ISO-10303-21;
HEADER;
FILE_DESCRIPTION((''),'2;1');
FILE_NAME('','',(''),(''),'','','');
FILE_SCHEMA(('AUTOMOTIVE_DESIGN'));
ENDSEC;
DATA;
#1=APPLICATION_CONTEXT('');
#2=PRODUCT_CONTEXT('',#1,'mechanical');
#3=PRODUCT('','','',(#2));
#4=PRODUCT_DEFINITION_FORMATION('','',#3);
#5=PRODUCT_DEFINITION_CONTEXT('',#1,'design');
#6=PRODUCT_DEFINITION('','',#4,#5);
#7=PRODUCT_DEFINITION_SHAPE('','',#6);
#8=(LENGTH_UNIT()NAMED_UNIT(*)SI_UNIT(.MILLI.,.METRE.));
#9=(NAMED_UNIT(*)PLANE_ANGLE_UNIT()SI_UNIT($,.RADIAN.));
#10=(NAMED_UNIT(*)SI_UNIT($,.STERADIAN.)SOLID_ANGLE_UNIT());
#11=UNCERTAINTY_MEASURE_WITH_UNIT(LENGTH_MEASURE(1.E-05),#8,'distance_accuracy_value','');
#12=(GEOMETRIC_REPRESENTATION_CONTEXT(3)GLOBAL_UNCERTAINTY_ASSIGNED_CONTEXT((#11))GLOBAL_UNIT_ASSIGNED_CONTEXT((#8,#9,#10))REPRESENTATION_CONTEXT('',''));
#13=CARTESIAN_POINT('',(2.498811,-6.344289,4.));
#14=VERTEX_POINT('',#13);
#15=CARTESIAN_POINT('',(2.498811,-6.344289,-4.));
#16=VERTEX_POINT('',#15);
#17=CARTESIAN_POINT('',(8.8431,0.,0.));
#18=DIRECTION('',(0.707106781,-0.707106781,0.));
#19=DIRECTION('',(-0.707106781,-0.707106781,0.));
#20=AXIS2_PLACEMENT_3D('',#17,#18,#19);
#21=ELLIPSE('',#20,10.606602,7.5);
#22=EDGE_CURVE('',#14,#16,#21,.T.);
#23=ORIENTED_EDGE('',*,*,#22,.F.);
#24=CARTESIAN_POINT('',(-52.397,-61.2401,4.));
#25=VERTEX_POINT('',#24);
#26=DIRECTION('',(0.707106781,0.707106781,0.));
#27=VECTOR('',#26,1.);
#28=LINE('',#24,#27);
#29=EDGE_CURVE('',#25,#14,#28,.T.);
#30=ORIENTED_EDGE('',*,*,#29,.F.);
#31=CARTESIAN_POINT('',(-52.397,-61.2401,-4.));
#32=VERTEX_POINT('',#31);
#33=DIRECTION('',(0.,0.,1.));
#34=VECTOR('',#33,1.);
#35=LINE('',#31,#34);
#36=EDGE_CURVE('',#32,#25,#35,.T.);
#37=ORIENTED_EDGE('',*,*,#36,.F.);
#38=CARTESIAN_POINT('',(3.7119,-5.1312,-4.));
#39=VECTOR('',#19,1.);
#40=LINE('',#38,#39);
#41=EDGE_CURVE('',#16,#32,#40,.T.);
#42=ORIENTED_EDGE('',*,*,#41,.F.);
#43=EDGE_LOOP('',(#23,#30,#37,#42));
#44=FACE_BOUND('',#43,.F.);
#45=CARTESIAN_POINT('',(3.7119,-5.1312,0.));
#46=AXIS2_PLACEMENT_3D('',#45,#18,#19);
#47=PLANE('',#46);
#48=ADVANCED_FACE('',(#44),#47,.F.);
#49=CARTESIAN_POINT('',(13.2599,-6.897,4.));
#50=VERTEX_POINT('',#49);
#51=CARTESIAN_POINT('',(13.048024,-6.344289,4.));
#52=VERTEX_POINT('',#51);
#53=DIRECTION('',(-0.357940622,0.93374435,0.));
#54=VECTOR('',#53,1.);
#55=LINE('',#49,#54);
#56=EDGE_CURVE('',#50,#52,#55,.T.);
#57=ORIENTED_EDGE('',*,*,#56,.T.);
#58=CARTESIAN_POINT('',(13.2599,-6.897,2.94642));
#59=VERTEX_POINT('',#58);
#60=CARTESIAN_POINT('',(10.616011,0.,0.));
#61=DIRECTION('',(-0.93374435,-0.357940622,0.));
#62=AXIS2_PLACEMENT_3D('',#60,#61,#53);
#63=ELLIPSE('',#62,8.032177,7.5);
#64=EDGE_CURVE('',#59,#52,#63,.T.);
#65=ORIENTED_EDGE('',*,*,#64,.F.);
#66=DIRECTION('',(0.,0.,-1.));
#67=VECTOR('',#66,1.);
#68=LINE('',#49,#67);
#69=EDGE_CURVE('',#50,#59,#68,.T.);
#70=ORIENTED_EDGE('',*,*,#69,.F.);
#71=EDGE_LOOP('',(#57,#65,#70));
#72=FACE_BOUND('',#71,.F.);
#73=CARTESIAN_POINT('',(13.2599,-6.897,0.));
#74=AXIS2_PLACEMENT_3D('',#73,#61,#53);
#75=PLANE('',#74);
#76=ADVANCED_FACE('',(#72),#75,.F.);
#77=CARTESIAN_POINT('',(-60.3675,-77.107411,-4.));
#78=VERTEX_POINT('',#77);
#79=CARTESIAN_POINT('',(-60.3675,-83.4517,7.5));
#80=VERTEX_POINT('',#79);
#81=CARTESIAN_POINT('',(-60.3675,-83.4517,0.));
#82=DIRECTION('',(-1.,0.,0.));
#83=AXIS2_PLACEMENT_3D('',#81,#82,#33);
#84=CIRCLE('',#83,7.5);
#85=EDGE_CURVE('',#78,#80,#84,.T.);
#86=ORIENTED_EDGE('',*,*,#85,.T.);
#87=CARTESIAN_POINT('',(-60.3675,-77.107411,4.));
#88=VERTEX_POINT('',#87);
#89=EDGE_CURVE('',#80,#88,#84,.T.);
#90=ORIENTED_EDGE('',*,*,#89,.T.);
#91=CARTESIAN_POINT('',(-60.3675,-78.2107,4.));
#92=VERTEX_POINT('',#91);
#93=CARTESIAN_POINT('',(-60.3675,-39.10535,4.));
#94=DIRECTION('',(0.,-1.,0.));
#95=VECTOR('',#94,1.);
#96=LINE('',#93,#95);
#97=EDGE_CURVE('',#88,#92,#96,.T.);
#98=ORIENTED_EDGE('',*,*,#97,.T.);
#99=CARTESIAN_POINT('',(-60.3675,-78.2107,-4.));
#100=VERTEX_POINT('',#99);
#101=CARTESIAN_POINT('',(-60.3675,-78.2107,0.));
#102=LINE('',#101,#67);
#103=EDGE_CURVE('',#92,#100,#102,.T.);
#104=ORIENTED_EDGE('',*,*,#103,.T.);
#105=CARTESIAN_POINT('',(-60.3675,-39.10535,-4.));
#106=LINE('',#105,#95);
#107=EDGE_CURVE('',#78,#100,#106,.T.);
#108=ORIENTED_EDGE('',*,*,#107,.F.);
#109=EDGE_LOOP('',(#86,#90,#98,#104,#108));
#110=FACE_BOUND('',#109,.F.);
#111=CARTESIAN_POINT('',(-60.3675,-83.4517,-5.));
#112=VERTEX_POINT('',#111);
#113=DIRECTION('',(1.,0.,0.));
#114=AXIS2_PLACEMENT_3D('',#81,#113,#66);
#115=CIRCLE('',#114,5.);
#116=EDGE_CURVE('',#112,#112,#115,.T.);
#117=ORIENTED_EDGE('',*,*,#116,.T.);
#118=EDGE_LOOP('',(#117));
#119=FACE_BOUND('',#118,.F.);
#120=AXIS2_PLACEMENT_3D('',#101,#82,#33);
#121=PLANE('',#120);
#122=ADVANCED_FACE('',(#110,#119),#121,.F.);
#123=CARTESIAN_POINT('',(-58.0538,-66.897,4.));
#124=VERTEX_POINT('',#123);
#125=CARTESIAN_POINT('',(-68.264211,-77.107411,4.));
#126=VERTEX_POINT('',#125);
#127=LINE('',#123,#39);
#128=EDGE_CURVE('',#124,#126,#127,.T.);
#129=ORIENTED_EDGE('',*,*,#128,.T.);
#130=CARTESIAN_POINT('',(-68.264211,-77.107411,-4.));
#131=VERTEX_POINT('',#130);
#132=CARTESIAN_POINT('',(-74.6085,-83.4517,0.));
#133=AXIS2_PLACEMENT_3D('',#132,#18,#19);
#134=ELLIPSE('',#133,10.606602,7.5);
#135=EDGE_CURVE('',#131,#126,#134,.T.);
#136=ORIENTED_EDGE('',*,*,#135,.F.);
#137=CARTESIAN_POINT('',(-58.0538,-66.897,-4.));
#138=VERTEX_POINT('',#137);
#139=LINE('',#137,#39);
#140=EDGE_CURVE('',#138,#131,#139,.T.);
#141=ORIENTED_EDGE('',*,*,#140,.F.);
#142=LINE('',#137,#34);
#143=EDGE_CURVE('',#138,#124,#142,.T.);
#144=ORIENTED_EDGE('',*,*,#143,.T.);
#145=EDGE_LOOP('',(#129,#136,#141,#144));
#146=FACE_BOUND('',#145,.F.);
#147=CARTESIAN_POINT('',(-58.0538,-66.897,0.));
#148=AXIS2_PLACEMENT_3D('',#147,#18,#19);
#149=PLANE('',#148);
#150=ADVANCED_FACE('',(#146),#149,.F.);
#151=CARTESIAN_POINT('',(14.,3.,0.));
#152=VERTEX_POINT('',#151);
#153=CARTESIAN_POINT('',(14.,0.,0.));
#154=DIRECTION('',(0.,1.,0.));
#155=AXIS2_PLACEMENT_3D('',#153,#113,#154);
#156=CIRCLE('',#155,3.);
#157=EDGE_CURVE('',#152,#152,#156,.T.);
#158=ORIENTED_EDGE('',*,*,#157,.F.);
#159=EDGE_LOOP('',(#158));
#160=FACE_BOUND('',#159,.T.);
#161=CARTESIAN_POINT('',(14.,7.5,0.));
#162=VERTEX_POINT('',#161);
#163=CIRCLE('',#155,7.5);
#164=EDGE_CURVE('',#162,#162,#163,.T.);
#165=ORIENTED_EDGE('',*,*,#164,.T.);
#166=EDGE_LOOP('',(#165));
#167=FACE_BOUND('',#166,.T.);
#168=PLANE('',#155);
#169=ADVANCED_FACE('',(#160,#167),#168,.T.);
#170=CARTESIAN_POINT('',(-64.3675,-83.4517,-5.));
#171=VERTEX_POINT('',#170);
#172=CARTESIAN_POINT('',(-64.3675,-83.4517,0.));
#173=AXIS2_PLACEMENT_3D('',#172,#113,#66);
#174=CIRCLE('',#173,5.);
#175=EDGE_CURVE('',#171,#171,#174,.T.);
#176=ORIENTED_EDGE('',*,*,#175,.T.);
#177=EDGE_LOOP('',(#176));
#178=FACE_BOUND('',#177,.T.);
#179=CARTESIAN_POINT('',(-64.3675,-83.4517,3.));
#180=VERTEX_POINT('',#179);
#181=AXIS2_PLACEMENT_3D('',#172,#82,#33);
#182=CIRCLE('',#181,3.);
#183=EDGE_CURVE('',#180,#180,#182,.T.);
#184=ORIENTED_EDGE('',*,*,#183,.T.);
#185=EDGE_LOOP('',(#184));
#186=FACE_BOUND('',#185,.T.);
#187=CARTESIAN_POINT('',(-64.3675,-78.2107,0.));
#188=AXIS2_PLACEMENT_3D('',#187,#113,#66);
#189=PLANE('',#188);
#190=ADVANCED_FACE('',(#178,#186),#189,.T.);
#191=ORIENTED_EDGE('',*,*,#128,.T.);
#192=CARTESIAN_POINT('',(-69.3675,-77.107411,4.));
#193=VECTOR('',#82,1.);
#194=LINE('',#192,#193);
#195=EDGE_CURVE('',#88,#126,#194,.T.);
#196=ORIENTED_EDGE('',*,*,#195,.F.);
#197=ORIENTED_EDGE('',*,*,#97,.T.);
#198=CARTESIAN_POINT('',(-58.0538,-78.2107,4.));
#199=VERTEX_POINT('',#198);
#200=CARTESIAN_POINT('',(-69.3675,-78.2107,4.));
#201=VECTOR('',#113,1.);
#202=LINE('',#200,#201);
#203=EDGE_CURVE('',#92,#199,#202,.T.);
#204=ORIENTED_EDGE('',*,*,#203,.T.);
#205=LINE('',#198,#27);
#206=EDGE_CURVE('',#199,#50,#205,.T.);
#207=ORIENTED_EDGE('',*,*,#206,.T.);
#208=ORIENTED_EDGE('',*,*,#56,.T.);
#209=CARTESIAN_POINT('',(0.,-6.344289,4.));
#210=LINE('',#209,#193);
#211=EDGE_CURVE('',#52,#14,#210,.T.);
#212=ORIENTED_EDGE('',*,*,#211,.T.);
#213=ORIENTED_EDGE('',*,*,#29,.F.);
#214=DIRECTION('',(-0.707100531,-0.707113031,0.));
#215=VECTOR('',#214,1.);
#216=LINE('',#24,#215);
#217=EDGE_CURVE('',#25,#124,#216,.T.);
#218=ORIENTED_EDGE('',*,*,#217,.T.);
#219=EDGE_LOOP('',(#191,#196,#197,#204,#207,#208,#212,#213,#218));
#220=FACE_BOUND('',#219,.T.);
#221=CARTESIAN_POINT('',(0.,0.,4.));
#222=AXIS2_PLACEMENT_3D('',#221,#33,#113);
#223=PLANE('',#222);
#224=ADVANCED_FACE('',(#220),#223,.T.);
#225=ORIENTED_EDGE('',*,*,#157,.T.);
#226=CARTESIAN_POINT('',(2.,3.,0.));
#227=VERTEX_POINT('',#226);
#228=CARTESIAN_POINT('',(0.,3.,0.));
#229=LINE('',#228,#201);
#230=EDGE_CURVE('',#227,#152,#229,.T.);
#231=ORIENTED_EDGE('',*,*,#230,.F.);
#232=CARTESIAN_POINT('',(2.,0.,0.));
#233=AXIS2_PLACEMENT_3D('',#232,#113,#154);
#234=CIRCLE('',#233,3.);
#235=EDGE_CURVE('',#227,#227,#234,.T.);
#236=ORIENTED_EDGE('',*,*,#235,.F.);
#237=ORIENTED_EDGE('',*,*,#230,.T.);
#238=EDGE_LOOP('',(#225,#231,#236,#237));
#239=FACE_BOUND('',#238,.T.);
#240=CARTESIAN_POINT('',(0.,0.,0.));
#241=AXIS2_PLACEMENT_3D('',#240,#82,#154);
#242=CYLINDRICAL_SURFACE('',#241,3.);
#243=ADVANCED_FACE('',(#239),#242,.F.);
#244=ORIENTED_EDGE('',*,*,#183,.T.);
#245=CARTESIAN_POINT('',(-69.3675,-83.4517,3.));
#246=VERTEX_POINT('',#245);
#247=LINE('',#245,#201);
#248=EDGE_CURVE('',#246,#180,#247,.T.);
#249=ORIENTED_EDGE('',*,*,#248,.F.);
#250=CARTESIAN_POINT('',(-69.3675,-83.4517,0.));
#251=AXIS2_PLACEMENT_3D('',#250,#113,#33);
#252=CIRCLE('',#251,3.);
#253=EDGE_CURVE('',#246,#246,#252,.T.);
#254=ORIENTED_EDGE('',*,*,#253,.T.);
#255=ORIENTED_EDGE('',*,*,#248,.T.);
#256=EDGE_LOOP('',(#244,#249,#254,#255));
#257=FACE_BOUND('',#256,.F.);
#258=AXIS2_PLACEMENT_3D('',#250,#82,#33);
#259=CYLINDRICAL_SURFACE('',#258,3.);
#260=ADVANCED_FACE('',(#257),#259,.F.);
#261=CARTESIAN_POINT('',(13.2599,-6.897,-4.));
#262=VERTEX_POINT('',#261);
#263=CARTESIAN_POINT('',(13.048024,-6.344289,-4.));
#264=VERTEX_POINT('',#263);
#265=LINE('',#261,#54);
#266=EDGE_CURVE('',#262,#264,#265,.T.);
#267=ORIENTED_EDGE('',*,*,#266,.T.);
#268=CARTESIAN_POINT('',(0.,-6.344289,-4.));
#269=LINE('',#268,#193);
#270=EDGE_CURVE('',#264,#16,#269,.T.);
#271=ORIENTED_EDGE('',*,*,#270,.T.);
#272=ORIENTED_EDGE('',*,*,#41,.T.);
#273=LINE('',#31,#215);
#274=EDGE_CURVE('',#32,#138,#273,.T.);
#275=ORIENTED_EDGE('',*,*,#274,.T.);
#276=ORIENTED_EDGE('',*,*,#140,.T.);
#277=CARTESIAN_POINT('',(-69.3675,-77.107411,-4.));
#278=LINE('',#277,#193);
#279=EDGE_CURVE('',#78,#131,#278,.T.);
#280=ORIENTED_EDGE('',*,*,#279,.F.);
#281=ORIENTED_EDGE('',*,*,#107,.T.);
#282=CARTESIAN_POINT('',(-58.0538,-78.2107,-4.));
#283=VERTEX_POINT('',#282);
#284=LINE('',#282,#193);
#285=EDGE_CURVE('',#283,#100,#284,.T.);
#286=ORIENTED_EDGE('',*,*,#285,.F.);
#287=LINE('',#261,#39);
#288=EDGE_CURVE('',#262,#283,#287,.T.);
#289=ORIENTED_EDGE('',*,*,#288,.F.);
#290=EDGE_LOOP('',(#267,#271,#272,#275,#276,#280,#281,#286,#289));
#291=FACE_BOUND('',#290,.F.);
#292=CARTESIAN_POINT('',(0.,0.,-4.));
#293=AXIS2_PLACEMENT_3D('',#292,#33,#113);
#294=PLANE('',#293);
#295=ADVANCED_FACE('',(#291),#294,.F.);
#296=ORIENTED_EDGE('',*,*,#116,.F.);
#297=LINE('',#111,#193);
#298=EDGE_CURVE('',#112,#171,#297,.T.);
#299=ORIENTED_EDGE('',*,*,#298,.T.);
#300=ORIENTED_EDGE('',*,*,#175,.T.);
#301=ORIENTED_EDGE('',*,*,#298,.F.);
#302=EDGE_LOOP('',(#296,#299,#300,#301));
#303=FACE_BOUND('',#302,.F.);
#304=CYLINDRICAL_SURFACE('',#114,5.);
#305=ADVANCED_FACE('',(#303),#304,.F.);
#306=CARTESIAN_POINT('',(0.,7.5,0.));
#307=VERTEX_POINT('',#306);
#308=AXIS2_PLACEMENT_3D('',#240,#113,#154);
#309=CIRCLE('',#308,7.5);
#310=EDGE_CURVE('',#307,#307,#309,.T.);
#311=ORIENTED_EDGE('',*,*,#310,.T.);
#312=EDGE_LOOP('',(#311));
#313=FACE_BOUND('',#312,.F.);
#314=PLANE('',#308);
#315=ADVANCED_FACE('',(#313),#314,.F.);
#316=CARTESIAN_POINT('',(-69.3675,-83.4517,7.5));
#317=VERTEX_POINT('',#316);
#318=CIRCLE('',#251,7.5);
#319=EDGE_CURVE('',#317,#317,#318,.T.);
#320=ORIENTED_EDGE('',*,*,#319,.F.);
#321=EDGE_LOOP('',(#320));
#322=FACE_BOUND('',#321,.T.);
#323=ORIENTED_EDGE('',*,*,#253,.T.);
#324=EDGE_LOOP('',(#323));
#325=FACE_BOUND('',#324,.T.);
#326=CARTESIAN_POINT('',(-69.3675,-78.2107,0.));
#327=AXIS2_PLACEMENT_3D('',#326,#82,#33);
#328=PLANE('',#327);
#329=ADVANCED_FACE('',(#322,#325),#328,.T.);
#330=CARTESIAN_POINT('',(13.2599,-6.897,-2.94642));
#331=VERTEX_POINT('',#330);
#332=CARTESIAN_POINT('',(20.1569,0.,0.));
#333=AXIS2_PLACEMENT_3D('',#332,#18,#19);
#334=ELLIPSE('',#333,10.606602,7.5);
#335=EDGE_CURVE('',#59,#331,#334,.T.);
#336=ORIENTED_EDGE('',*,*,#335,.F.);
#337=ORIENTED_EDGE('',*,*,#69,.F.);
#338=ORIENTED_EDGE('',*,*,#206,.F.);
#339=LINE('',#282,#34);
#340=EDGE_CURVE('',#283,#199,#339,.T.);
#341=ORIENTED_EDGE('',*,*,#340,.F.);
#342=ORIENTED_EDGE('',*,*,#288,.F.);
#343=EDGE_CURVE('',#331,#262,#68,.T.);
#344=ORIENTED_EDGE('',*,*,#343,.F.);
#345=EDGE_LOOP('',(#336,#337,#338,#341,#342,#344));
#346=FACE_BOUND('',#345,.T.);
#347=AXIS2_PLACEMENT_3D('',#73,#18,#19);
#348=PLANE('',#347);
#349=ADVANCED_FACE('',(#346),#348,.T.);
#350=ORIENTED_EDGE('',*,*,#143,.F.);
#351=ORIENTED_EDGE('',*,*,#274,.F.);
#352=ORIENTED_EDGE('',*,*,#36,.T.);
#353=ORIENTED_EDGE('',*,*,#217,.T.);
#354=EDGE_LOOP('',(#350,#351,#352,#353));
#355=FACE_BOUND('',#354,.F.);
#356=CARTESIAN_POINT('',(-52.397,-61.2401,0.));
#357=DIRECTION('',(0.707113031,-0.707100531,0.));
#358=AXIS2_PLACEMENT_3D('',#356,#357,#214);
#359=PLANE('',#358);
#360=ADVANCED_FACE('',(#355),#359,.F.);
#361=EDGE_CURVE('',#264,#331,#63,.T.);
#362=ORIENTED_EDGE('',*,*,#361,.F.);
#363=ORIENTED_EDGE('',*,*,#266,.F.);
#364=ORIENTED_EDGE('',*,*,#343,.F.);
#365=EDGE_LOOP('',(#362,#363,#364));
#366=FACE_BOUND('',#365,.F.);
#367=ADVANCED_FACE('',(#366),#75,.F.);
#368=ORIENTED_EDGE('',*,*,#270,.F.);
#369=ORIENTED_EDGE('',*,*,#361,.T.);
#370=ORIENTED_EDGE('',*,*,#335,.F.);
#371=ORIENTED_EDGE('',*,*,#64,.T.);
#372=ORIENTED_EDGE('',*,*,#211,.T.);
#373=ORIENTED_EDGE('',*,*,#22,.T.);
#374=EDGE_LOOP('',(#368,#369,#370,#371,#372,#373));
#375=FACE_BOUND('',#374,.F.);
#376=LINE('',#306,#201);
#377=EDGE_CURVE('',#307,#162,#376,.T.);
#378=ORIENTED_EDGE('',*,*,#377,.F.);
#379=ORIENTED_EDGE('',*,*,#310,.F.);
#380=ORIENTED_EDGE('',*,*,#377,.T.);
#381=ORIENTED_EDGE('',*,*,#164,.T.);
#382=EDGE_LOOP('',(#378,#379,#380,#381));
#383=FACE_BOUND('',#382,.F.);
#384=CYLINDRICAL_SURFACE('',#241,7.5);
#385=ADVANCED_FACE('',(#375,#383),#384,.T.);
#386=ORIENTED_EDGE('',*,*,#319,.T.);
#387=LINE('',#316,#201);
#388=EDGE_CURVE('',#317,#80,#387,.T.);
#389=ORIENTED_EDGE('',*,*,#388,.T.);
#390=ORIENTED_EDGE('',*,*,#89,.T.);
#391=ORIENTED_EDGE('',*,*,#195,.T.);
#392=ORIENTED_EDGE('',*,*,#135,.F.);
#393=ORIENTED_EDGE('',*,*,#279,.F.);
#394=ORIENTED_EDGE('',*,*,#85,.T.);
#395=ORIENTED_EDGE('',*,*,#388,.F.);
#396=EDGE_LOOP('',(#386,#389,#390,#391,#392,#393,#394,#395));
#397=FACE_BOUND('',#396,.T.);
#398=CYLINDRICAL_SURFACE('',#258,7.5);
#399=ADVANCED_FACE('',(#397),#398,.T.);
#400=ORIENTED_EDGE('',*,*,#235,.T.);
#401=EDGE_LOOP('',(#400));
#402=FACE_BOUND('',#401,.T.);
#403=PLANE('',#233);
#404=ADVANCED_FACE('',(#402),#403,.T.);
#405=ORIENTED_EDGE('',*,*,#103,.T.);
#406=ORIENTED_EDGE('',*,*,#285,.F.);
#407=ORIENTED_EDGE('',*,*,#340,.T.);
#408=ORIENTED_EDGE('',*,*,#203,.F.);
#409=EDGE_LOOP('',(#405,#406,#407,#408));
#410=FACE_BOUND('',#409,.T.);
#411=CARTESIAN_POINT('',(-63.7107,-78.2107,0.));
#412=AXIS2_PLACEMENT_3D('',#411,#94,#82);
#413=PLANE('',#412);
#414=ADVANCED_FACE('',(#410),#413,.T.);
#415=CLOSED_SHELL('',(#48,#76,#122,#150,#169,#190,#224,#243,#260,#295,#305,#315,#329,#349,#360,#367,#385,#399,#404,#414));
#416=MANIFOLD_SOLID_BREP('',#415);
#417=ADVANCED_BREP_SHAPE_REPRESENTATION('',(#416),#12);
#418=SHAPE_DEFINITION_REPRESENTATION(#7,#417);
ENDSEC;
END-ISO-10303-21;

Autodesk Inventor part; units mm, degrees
ref_plane "YZ Plane" through (0, 0, 0) normal (1, 0, 0) x (0, 1, 0)
ref_plane "XZ Plane" through (0, 0, 0) normal (0, 1, 0) x (-1, 0, 0)
sketch "Sketch1" plane through (0, 0, 0) normal (1, 0, 0) x (0, 1, 0)
  circle A0 centre (0, 0) radius 3
  circle A1 centre (0, 0) radius 7.5
  dimension "d0" = 6
  dimension "d1" = 15
extrude "Extrusion1" add sketch "Sketch1" along normal blind 14
sketch "Sketch2" plane through (0, 0, 0) normal (0, 0, 1) x (1, 0, 0)
  line L0 (14, -7.5) -> (14, 7.5) projected
  line L1 (0, -7.5) -> (0, 7.5) projected
  line L2 (0, -7.5) -> (14, -7.5) projected
  line L3 (7, -7.5) -> (-63.7107, -78.2107)
  line L4 (13.2599, -6.897) -> (-46.7401, -66.897)
  line L5 (3.7119, -5.1312) -> (-52.397, -61.2401)
  line L6 (-52.397, -61.2401) -> (-58.0538, -66.897)
  line L7 (-63.7107, -78.2107) -> (-58.0538, -78.2107)
  line L8 (-63.7107, -78.2107) -> (-69.3675, -78.2107)
  line L9 (-58.0538, -78.2107) -> (-46.7401, -66.897)
  line L10 (-58.0538, -66.897) -> (-69.3675, -78.2107)
  line L11 (3.7119, -5.1312) -> (12.583, -5.1312)
  line L12 (13.2599, -6.897) -> (12.583, -5.1312)
  point P0 (0, 0)
  point P1 (-58.0538, -78.2107)
  point P2 (1.3431, -7.5)
  point P3 (12.6569, -7.5)
  dimension "d4" = 100
  dimension "d5" = 45
  dimension "d6" = 4
  dimension "d7" = 4
  dimension "d10" = 8.871
  dimension "d12" = 60
extrude "Extrusion2" add sketch "Sketch2" along normal mid plane 8
extrude "Extrusion3" add sketch "Sketch1" along normal blind 2 contours A0
ref_plane "Work Plane1" through (-69.3675, -78.2107, 0) normal (-1, 0, 0) x (0, 0, 1)
sketch "Sketch3" plane through (-69.3675, -78.2107, 0) normal (-1, 0, 0) x (0, 0, 1)
  arc A0 (-4, 71.8664) -> (4, 71.8664) centre (0, 78.2107) ccw projected
  line L0 (-4, 0) -> (-4, 71.8664) projected
  line L1 (-4, 0) -> (4, 0) projected
  line L2 (4, 71.8664) -> (4, 0) projected
  circle A1 centre (0, -5.241) radius 7.5
  circle A2 centre (0, -5.241) radius 3
  line L3 (0, -32.4313) -> (0, 105.401) projected
  point P0 (0, 0)
  dimension "d15" = 15
  dimension "d16" = 6
  dimension "d17" = 5.241
extrude "Extrusion4" add sketch "Sketch3" against normal blind 9 contours A1 L3 L1 L0 | L0 L1 L3 A2 A1 | A1 L2 L1 L3 | L3 A2 L1 L2 A1
sketch "Sketch4" plane through (-60.3675, -78.2107, 0) normal (1, 0, 0) x (0, 0, -1)
  circle A0 centre (0, -5.241) radius 3 projected
  circle A1 centre (0, -5.241) radius 5
  point P0 (0, 78.2107)
  dimension "d20" = 10
extrude "Extrusion5" cut sketch "Sketch4" along normal blind 9 and the other way blind 4
properties part number "Conector"
